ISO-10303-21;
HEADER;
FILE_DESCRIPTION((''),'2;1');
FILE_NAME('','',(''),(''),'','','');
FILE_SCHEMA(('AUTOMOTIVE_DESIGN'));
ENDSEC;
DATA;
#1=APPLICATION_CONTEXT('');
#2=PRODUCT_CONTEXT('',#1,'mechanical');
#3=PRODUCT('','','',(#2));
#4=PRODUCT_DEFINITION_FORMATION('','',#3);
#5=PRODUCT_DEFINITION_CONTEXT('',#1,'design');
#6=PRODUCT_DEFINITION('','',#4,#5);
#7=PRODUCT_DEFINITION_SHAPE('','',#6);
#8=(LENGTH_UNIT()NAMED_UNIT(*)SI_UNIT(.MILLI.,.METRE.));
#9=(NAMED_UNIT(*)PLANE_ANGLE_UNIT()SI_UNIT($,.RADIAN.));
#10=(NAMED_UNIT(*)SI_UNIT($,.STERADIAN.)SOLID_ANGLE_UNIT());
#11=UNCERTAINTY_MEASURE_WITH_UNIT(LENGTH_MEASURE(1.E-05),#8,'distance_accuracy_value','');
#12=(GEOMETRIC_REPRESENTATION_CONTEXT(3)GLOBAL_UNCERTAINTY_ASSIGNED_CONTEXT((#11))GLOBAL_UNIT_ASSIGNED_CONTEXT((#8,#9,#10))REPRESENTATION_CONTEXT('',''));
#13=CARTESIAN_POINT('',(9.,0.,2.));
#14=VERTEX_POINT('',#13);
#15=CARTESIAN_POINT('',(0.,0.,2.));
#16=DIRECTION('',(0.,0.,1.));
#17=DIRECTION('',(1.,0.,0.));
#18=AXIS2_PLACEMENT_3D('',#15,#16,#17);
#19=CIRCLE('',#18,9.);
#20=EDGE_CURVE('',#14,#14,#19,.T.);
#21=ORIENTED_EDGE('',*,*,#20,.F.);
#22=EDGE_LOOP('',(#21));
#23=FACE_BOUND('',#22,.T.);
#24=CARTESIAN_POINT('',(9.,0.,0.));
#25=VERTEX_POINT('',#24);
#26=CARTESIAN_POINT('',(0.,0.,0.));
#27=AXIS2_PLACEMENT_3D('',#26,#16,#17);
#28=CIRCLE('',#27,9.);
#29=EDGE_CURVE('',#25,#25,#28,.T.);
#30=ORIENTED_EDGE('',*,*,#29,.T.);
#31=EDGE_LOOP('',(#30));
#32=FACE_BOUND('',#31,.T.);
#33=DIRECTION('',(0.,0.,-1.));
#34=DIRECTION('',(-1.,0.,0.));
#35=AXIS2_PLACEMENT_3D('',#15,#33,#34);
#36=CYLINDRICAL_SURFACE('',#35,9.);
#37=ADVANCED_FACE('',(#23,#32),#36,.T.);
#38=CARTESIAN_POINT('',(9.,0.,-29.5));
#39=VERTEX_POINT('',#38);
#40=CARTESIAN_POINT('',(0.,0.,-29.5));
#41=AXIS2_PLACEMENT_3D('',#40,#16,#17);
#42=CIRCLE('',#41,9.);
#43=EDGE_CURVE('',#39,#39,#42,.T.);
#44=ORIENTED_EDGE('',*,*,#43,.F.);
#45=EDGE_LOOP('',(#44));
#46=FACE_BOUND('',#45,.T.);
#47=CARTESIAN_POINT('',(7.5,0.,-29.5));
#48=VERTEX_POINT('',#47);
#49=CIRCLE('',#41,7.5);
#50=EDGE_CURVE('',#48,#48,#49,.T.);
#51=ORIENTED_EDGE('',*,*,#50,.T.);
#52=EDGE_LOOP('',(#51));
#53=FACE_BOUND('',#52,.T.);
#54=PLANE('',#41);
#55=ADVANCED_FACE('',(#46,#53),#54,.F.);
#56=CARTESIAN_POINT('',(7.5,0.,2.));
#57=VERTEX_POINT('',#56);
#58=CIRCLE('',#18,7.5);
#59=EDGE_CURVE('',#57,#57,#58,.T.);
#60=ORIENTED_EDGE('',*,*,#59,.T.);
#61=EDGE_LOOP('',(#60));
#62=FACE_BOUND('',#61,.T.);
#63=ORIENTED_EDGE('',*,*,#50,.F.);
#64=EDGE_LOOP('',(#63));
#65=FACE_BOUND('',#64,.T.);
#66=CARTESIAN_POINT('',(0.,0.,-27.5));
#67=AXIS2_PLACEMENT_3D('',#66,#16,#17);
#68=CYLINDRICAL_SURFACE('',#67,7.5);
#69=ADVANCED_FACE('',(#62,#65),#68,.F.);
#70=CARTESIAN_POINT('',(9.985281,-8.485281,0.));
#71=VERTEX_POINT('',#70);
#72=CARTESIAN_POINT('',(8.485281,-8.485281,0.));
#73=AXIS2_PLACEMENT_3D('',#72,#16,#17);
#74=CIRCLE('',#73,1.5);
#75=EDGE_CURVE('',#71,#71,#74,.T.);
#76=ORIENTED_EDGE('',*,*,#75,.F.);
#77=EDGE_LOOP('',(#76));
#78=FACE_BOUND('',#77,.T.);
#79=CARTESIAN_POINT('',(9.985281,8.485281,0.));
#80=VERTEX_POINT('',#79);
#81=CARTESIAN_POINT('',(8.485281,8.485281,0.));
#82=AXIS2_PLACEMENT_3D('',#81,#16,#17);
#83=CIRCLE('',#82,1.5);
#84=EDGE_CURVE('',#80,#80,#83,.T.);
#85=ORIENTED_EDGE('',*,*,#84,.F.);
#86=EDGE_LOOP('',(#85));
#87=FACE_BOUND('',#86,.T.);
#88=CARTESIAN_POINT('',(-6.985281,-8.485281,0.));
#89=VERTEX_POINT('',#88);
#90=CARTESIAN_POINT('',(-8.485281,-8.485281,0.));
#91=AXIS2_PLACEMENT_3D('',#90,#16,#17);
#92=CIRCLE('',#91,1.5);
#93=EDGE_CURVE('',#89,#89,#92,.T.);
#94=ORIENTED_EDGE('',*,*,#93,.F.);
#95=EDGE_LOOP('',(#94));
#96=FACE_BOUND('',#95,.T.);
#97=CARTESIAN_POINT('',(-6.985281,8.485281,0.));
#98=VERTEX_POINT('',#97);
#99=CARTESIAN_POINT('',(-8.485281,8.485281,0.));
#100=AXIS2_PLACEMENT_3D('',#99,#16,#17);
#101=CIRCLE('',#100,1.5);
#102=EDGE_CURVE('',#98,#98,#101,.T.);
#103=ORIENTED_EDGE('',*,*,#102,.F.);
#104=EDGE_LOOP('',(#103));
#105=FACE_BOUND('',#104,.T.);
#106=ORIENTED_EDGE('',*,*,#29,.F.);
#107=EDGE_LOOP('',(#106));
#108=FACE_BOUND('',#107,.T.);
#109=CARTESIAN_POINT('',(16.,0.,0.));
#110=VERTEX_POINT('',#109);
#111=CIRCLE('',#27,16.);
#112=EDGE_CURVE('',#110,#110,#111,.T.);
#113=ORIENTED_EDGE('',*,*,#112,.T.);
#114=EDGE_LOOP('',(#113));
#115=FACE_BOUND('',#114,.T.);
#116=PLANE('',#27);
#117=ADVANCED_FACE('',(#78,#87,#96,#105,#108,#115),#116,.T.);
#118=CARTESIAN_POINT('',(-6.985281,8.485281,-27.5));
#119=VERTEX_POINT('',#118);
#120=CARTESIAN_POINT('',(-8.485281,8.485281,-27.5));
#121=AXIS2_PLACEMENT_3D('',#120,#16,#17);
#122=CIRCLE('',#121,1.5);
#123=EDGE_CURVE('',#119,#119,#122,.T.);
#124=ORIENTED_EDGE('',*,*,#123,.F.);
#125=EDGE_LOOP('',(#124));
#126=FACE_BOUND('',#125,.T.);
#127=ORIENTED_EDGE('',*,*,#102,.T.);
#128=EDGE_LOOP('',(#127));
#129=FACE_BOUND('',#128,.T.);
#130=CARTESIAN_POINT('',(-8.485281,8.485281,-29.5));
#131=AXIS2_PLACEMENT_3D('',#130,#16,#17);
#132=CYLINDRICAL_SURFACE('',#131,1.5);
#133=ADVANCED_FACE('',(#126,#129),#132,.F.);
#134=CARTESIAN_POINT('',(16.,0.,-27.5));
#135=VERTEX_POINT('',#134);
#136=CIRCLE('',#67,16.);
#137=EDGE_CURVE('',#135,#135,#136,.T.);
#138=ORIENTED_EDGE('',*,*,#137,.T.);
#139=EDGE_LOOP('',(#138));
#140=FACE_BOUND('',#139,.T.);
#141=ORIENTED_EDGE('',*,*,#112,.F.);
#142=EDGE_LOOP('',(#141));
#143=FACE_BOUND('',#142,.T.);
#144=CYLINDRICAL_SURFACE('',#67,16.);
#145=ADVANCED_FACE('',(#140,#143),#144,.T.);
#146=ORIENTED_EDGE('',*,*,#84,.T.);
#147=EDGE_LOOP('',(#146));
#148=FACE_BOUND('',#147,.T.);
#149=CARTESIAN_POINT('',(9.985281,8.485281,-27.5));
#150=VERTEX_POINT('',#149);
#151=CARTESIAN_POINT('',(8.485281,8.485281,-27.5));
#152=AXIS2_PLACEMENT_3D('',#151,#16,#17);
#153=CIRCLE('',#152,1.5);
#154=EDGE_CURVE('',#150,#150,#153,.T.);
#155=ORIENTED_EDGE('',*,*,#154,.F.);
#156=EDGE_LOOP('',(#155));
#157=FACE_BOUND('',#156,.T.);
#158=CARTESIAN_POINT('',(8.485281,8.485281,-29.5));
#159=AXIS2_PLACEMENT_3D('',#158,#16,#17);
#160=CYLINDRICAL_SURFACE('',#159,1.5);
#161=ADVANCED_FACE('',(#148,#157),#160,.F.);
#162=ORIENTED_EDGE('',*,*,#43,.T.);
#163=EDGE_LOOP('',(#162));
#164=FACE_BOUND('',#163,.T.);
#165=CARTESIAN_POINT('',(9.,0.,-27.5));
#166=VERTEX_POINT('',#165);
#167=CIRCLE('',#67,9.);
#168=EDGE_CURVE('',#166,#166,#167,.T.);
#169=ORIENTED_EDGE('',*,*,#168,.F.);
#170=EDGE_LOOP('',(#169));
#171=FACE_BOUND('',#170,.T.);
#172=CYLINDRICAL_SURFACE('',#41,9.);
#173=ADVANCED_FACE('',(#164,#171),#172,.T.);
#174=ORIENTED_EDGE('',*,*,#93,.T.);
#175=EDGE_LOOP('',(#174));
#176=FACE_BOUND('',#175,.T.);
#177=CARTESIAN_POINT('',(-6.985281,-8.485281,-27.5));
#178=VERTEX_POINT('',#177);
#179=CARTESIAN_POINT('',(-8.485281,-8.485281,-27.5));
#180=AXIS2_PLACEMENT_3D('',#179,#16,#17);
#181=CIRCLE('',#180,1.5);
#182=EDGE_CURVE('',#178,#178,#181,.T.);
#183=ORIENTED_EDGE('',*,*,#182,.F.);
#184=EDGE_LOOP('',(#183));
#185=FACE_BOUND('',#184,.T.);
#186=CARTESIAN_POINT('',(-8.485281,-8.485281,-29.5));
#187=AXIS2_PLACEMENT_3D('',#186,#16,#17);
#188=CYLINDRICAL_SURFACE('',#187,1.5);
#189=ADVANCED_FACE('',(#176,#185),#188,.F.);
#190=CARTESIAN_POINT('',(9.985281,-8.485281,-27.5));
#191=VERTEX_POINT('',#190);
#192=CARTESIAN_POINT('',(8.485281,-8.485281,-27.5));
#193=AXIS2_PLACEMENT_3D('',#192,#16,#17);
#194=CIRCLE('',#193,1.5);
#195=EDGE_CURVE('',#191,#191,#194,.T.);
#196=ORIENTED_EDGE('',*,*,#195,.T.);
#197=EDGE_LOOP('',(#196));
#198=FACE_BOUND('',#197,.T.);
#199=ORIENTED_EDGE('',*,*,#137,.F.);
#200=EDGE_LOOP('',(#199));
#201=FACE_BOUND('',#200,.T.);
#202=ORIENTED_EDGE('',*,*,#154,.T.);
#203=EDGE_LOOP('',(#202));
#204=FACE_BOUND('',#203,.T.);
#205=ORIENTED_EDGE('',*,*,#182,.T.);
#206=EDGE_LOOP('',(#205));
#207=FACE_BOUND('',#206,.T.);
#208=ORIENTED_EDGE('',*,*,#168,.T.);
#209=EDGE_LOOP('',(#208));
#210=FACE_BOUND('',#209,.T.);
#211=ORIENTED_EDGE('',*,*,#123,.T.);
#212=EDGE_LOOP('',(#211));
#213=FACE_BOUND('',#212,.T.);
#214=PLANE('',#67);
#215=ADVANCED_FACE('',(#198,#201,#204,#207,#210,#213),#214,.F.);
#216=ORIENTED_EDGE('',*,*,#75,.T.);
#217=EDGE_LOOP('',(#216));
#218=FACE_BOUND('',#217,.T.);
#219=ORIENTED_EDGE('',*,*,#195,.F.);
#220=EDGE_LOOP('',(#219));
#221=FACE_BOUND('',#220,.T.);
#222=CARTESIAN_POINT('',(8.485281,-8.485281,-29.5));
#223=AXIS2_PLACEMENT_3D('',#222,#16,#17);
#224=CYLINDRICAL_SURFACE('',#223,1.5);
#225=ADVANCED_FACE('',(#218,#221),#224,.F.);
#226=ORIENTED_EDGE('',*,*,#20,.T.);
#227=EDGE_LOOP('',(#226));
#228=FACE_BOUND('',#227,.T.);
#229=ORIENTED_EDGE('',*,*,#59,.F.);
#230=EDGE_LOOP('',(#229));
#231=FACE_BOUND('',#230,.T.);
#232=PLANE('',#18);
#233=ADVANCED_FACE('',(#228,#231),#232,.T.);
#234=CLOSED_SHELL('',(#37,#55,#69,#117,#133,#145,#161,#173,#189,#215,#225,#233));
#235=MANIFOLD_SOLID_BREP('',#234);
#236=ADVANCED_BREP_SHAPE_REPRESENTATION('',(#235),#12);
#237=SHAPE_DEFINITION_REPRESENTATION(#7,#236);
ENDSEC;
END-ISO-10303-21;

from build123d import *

# Parameters (mm, degrees)
SKETCH1_R           = 16
SKETCH1_R_2         = 9
SKETCH1_R_3         = 7.5
BOSS_EXTRUDE1_DEPTH = 27.5
BOSS_EXTRUDE2_START = 2
SKETCH1_3_R         = 9
SKETCH1_3_R_2       = 7.5
BOSS_EXTRUDE2_DEPTH = 2
BOSS_EXTRUDE3_START = -27.5
SKETCH1_4_R         = 9
SKETCH1_4_R_2       = 7.5
BOSS_EXTRUDE3_DEPTH = 2
SKETCH2_R           = 1.5
CUT_EXTRUDE1_DEPTH  = 38.17862289


with BuildPart() as part:
    # Sketch1 → Boss-Extrude1 (new body)
    # profile 1 of 2: a face of its own
    with BuildSketch(Plane.XY):
        Circle(SKETCH1_R)
        Circle(SKETCH1_R_2, mode=Mode.SUBTRACT)
    # profile 2 of 2: a face of its own
    with BuildSketch(Plane.XY):
        Circle(SKETCH1_R_2)
        Circle(SKETCH1_R_3, mode=Mode.SUBTRACT)
    extrude(amount=-BOSS_EXTRUDE1_DEPTH)

    # Sketch1<3> → Boss-Extrude2 (add)
    with BuildSketch(Plane.XY.offset(BOSS_EXTRUDE2_START)):
        Circle(SKETCH1_3_R)
        Circle(SKETCH1_3_R_2, mode=Mode.SUBTRACT)
    extrude(amount=-BOSS_EXTRUDE2_DEPTH)

    # Sketch1<4> → Boss-Extrude3 (add)
    with BuildSketch(Plane.XY.offset(BOSS_EXTRUDE3_START)):
        Circle(SKETCH1_4_R)
        Circle(SKETCH1_4_R_2, mode=Mode.SUBTRACT)
    extrude(amount=-BOSS_EXTRUDE3_DEPTH)

    # Sketch2 → Cut-Extrude1 (cut, through all)
    with BuildSketch(Plane.XY):
        with Locations((-8.485281374, 8.485281374)):
            Circle(SKETCH2_R)
        with Locations((8.485281374, 8.485281374)):
            Circle(SKETCH2_R)
        with Locations((8.485281374, -8.485281374)):
            Circle(SKETCH2_R)
        with Locations((-8.485281374, -8.485281374)):
            Circle(SKETCH2_R)
    extrude(amount=-CUT_EXTRUDE1_DEPTH, mode=Mode.SUBTRACT)


solid = part.part
